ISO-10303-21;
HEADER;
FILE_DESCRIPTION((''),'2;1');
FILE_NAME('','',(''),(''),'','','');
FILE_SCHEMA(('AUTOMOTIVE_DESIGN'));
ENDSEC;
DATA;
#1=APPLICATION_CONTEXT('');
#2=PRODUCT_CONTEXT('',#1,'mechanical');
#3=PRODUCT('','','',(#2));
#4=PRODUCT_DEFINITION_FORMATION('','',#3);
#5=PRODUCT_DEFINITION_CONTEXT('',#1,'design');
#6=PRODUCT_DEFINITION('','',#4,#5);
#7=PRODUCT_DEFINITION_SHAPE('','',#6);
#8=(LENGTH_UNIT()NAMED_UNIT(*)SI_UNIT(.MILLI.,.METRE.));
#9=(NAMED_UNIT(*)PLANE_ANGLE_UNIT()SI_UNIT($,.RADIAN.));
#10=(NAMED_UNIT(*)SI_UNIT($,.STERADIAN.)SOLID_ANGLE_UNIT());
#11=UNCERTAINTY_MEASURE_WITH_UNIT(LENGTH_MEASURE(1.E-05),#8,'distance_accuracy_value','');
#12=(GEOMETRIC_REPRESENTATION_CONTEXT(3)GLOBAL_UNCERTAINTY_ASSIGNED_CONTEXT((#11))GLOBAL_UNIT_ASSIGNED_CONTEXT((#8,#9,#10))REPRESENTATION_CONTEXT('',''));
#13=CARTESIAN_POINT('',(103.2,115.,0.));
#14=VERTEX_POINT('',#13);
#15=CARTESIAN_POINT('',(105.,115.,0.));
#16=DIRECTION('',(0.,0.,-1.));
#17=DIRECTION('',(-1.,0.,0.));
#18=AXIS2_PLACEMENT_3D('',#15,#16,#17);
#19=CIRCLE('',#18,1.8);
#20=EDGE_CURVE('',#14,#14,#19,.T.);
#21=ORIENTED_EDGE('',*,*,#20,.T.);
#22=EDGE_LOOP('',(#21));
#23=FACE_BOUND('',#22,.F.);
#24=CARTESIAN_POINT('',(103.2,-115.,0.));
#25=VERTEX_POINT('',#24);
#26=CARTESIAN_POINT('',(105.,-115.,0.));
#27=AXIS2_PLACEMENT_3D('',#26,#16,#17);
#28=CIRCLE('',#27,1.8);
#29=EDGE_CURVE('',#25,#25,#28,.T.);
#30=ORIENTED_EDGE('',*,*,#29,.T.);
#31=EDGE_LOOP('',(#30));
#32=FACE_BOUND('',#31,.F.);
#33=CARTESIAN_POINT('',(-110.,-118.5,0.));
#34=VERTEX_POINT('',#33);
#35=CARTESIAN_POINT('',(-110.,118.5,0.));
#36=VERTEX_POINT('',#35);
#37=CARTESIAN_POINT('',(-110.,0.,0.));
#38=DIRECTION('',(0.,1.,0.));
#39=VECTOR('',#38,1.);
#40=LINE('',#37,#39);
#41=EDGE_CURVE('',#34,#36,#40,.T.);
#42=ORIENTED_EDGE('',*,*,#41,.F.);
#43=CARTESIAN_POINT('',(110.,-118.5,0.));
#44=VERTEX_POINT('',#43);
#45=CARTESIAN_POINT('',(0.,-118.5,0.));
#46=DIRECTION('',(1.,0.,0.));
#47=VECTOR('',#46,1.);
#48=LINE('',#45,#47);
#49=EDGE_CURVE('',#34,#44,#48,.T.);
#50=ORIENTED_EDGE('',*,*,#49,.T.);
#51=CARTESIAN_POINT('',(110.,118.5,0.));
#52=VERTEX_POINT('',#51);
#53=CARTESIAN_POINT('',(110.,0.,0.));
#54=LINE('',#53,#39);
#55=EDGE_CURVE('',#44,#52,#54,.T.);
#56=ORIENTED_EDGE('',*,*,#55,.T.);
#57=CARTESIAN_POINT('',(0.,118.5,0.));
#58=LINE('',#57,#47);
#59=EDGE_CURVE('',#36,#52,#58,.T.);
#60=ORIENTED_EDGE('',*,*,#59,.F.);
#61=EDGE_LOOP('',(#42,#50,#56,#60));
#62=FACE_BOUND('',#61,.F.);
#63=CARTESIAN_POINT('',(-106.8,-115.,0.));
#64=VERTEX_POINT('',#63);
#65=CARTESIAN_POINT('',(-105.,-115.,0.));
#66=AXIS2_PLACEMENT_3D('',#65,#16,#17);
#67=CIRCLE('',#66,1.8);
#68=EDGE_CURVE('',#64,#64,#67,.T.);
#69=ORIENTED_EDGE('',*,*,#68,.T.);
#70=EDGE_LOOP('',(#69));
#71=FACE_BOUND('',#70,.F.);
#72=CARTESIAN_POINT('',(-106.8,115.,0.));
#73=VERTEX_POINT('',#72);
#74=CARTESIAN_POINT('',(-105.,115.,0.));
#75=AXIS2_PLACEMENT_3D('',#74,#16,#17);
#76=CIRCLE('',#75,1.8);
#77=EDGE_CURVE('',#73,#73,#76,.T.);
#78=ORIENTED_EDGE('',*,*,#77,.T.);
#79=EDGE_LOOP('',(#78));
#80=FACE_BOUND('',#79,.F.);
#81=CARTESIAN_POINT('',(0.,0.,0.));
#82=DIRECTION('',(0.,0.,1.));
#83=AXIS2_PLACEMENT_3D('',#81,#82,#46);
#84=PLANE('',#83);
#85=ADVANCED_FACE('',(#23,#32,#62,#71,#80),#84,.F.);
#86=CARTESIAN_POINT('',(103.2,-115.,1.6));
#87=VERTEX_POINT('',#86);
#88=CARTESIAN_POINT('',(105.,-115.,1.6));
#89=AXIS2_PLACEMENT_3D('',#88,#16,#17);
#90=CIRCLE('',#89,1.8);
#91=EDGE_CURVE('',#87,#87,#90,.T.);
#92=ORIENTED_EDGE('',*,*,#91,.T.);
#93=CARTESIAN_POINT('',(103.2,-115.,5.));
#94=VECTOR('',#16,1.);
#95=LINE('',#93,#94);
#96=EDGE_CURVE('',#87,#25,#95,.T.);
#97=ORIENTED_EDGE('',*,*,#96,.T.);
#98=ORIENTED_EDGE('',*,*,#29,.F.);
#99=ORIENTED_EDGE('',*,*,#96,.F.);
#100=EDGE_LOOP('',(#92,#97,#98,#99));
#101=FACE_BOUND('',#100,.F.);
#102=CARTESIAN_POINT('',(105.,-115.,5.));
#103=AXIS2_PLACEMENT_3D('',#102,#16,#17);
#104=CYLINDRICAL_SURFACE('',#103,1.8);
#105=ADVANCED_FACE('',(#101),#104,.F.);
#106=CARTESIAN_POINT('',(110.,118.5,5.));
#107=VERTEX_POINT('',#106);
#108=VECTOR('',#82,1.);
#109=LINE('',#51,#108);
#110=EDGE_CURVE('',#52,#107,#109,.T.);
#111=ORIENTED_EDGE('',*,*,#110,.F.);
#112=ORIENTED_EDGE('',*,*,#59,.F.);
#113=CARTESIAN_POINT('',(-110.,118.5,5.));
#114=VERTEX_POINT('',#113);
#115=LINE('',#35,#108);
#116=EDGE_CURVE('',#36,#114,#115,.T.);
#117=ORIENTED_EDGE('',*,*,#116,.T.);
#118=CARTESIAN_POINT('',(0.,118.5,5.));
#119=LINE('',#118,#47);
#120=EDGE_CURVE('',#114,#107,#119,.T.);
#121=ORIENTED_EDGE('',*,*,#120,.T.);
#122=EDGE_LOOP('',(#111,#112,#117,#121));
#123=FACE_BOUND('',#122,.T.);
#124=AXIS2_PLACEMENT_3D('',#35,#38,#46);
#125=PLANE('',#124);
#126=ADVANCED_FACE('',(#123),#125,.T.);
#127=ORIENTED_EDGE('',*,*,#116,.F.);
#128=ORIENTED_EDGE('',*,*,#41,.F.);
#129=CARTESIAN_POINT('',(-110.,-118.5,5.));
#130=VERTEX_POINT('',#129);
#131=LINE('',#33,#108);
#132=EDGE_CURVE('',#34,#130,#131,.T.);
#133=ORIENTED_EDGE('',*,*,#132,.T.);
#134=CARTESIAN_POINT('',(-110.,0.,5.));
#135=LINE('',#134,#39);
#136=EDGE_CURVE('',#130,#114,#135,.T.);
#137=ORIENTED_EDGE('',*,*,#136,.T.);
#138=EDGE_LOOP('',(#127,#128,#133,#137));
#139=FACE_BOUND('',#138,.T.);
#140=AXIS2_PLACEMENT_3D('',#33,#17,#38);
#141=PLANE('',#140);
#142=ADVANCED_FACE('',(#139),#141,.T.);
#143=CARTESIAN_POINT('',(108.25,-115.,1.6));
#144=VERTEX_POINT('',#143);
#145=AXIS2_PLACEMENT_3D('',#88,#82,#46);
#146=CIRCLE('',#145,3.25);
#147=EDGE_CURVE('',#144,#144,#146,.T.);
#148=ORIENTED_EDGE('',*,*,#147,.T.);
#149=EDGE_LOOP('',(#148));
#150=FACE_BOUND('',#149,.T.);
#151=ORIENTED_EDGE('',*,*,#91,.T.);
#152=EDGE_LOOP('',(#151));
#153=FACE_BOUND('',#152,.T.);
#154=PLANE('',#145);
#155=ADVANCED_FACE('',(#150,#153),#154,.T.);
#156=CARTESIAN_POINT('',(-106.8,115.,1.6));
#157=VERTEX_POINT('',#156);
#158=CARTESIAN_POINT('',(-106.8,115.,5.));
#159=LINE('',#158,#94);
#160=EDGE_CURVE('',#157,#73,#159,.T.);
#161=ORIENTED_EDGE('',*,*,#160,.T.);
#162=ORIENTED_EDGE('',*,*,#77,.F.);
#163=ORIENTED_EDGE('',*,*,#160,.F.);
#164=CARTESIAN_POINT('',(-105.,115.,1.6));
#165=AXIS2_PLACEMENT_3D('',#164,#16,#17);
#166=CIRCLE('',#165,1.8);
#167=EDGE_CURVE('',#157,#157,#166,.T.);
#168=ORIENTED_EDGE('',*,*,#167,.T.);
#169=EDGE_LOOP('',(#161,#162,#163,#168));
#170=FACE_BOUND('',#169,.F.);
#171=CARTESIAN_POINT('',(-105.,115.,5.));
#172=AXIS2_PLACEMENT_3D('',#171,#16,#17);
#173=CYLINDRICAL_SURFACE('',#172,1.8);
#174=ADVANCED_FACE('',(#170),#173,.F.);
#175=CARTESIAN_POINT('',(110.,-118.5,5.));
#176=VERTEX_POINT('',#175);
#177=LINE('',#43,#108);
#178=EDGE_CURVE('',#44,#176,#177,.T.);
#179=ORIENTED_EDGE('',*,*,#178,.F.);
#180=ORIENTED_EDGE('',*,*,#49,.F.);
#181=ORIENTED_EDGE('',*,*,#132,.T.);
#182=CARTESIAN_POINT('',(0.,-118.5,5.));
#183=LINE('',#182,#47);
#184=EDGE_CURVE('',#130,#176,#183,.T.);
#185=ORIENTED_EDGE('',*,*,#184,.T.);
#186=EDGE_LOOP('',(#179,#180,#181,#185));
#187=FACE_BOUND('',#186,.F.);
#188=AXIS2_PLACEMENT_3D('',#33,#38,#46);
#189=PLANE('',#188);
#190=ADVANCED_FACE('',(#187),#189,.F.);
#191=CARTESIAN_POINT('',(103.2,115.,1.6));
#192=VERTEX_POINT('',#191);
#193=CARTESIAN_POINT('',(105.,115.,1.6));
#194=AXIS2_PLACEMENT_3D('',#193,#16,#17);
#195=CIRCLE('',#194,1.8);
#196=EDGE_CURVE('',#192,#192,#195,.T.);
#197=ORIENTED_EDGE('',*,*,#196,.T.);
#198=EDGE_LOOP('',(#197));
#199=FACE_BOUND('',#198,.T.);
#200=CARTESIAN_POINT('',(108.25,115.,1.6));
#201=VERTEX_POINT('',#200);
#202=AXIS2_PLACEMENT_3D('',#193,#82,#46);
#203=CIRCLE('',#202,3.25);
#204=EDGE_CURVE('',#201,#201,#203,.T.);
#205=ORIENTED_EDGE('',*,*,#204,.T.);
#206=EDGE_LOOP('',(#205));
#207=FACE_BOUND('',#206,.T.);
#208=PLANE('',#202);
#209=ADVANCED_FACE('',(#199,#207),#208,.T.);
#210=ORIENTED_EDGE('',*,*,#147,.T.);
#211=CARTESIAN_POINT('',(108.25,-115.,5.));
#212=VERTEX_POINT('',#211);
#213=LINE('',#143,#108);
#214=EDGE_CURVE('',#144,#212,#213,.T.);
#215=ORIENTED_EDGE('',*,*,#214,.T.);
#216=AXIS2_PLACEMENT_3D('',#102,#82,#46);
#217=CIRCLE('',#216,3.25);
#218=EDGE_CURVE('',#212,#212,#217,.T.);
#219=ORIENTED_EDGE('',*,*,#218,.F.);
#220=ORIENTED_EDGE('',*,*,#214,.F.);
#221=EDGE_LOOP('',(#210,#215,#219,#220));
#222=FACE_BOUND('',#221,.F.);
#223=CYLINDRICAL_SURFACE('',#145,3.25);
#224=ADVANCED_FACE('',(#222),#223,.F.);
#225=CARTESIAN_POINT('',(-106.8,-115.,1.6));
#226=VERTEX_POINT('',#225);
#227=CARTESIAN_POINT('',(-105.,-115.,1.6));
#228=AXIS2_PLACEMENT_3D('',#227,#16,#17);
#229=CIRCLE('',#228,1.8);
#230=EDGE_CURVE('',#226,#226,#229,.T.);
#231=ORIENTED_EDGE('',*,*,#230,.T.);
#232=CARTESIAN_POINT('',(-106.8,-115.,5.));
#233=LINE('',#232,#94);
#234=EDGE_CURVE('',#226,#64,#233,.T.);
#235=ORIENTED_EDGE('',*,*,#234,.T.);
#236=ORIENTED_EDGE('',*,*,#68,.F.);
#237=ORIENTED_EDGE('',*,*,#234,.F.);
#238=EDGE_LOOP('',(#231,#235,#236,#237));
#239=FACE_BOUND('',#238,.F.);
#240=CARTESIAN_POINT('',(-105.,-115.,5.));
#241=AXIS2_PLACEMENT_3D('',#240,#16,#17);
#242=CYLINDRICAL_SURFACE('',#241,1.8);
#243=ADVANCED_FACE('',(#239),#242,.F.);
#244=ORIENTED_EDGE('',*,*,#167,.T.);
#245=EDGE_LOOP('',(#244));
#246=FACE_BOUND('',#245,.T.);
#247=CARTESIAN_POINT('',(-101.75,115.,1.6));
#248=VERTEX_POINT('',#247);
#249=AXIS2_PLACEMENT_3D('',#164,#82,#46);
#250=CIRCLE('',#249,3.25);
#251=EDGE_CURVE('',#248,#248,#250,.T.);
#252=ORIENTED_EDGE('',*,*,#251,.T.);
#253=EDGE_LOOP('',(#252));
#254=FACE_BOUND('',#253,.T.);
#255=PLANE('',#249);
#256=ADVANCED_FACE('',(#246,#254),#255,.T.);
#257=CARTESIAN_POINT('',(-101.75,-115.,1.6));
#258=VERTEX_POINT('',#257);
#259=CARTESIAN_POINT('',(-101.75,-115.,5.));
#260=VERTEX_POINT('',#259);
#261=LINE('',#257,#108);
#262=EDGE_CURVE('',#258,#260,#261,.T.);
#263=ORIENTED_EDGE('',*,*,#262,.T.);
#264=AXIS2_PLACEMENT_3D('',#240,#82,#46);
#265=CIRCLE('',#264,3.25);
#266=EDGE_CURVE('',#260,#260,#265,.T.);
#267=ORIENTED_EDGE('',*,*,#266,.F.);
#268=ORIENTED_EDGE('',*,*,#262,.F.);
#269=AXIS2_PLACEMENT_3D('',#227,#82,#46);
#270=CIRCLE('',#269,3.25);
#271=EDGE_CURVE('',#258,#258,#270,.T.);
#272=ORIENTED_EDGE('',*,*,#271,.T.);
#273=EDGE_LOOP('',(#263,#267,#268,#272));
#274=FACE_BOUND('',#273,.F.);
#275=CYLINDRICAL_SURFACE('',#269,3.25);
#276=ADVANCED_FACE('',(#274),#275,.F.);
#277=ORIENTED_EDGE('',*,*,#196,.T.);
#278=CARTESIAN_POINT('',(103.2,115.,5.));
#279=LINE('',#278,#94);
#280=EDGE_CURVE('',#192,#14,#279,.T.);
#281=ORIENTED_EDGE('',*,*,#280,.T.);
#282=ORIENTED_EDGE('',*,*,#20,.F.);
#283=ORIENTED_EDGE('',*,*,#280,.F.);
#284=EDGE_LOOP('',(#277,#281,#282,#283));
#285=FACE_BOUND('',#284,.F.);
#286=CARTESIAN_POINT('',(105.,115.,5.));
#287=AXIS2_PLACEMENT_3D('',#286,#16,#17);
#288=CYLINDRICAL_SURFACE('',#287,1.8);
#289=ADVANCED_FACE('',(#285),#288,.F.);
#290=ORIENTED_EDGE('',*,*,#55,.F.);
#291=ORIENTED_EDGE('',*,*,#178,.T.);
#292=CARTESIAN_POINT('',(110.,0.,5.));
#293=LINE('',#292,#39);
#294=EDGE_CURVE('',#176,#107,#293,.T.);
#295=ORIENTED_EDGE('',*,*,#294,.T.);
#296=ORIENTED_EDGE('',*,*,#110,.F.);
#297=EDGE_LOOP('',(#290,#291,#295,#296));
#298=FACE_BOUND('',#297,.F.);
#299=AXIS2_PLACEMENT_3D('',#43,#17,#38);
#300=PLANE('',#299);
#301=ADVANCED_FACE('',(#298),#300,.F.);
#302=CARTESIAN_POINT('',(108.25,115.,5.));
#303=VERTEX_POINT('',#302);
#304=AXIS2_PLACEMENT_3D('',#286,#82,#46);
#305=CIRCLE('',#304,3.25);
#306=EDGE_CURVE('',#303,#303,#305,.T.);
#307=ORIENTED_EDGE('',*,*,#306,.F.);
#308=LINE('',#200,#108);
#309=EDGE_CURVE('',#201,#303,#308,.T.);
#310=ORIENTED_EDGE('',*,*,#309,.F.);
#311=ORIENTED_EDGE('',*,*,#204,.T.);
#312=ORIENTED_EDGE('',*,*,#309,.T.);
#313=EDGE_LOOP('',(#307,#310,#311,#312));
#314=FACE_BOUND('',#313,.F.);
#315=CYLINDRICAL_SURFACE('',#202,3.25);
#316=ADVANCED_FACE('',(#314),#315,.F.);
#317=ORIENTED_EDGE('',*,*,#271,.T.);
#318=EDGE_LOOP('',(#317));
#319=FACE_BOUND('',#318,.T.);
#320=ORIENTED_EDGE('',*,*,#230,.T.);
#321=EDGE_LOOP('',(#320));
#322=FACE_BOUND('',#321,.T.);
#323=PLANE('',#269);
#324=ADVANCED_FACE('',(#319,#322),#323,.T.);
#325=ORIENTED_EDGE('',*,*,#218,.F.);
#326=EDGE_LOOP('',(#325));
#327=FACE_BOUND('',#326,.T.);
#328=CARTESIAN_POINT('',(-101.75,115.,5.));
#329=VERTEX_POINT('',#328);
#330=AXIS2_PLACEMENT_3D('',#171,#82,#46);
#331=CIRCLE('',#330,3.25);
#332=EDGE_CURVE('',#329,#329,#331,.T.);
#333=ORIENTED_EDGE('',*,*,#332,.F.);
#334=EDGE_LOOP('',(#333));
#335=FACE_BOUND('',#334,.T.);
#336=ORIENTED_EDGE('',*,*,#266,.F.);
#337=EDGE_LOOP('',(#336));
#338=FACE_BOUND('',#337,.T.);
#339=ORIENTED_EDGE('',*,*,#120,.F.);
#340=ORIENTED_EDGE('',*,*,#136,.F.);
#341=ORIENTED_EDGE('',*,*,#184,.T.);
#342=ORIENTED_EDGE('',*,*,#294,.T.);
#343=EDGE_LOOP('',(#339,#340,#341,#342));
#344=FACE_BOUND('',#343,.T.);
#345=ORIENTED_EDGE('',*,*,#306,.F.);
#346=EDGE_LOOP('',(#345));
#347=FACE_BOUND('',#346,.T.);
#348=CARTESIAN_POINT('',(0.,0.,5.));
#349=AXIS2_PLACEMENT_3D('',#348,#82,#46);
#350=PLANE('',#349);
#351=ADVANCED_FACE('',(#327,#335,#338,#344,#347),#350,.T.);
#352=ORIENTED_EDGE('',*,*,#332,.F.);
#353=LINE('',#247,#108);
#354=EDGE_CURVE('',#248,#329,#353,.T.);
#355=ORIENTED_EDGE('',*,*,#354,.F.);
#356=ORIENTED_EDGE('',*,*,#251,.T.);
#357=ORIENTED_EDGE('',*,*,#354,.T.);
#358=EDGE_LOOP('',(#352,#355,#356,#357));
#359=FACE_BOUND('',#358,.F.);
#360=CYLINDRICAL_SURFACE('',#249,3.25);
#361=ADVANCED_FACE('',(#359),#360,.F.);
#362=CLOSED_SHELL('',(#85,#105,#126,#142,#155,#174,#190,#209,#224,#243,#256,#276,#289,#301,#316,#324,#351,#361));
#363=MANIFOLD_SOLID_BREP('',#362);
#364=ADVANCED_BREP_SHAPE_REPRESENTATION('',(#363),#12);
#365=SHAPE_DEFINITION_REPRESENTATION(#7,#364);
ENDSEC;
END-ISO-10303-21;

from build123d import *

# Parameters (mm, degrees)
SZKIC1_W                                            = 220
SZKIC1_H                                            = 237
DODANIE_WYCI_GNI_CIE1_DEPTH                         = 5
POG_BIENIE_WALCOWE_POD_M3_WKR_T_Z_BEM_W_D           = 3.6
POG_BIENIE_WALCOWE_POD_M3_WKR_T_Z_BEM_W_DEPTH       = 6.7
POG_BIENIE_WALCOWE_POD_M3_WKR_T_Z_BEM_W_CBORE_D     = 6.5
POG_BIENIE_WALCOWE_POD_M3_WKR_T_Z_BEM_W_CBORE_DEPTH = 3.4
POG_BIENIE_WALCOWE_POD_M3_WKR_T_Z_BEM_W_TIP         = 1.081549114


with BuildPart() as part:
    # Szkic1 → Dodanie-wyciągnięcie1 (new body)
    with BuildSketch(Plane.XY):
        Rectangle(SZKIC1_W, SZKIC1_H)
    extrude(amount=DODANIE_WYCI_GNI_CIE1_DEPTH)

    # Pogłębienie walcowe pod M3 Wkręt z łbem walcowym z gniazdem1
    with Locations(Plane.XY.offset(5)):
        with Locations((105, -115), (105, 115), (-105, 115), (-105, -115)):
            CounterBoreHole(POG_BIENIE_WALCOWE_POD_M3_WKR_T_Z_BEM_W_D / 2, POG_BIENIE_WALCOWE_POD_M3_WKR_T_Z_BEM_W_CBORE_D / 2, POG_BIENIE_WALCOWE_POD_M3_WKR_T_Z_BEM_W_CBORE_DEPTH, depth=POG_BIENIE_WALCOWE_POD_M3_WKR_T_Z_BEM_W_DEPTH)
            with Locations((0, 0, -(POG_BIENIE_WALCOWE_POD_M3_WKR_T_Z_BEM_W_DEPTH + POG_BIENIE_WALCOWE_POD_M3_WKR_T_Z_BEM_W_TIP / 2))):  # 118° drill point
                Cone(0, POG_BIENIE_WALCOWE_POD_M3_WKR_T_Z_BEM_W_D / 2, POG_BIENIE_WALCOWE_POD_M3_WKR_T_Z_BEM_W_TIP, mode=Mode.SUBTRACT)


solid = part.part
